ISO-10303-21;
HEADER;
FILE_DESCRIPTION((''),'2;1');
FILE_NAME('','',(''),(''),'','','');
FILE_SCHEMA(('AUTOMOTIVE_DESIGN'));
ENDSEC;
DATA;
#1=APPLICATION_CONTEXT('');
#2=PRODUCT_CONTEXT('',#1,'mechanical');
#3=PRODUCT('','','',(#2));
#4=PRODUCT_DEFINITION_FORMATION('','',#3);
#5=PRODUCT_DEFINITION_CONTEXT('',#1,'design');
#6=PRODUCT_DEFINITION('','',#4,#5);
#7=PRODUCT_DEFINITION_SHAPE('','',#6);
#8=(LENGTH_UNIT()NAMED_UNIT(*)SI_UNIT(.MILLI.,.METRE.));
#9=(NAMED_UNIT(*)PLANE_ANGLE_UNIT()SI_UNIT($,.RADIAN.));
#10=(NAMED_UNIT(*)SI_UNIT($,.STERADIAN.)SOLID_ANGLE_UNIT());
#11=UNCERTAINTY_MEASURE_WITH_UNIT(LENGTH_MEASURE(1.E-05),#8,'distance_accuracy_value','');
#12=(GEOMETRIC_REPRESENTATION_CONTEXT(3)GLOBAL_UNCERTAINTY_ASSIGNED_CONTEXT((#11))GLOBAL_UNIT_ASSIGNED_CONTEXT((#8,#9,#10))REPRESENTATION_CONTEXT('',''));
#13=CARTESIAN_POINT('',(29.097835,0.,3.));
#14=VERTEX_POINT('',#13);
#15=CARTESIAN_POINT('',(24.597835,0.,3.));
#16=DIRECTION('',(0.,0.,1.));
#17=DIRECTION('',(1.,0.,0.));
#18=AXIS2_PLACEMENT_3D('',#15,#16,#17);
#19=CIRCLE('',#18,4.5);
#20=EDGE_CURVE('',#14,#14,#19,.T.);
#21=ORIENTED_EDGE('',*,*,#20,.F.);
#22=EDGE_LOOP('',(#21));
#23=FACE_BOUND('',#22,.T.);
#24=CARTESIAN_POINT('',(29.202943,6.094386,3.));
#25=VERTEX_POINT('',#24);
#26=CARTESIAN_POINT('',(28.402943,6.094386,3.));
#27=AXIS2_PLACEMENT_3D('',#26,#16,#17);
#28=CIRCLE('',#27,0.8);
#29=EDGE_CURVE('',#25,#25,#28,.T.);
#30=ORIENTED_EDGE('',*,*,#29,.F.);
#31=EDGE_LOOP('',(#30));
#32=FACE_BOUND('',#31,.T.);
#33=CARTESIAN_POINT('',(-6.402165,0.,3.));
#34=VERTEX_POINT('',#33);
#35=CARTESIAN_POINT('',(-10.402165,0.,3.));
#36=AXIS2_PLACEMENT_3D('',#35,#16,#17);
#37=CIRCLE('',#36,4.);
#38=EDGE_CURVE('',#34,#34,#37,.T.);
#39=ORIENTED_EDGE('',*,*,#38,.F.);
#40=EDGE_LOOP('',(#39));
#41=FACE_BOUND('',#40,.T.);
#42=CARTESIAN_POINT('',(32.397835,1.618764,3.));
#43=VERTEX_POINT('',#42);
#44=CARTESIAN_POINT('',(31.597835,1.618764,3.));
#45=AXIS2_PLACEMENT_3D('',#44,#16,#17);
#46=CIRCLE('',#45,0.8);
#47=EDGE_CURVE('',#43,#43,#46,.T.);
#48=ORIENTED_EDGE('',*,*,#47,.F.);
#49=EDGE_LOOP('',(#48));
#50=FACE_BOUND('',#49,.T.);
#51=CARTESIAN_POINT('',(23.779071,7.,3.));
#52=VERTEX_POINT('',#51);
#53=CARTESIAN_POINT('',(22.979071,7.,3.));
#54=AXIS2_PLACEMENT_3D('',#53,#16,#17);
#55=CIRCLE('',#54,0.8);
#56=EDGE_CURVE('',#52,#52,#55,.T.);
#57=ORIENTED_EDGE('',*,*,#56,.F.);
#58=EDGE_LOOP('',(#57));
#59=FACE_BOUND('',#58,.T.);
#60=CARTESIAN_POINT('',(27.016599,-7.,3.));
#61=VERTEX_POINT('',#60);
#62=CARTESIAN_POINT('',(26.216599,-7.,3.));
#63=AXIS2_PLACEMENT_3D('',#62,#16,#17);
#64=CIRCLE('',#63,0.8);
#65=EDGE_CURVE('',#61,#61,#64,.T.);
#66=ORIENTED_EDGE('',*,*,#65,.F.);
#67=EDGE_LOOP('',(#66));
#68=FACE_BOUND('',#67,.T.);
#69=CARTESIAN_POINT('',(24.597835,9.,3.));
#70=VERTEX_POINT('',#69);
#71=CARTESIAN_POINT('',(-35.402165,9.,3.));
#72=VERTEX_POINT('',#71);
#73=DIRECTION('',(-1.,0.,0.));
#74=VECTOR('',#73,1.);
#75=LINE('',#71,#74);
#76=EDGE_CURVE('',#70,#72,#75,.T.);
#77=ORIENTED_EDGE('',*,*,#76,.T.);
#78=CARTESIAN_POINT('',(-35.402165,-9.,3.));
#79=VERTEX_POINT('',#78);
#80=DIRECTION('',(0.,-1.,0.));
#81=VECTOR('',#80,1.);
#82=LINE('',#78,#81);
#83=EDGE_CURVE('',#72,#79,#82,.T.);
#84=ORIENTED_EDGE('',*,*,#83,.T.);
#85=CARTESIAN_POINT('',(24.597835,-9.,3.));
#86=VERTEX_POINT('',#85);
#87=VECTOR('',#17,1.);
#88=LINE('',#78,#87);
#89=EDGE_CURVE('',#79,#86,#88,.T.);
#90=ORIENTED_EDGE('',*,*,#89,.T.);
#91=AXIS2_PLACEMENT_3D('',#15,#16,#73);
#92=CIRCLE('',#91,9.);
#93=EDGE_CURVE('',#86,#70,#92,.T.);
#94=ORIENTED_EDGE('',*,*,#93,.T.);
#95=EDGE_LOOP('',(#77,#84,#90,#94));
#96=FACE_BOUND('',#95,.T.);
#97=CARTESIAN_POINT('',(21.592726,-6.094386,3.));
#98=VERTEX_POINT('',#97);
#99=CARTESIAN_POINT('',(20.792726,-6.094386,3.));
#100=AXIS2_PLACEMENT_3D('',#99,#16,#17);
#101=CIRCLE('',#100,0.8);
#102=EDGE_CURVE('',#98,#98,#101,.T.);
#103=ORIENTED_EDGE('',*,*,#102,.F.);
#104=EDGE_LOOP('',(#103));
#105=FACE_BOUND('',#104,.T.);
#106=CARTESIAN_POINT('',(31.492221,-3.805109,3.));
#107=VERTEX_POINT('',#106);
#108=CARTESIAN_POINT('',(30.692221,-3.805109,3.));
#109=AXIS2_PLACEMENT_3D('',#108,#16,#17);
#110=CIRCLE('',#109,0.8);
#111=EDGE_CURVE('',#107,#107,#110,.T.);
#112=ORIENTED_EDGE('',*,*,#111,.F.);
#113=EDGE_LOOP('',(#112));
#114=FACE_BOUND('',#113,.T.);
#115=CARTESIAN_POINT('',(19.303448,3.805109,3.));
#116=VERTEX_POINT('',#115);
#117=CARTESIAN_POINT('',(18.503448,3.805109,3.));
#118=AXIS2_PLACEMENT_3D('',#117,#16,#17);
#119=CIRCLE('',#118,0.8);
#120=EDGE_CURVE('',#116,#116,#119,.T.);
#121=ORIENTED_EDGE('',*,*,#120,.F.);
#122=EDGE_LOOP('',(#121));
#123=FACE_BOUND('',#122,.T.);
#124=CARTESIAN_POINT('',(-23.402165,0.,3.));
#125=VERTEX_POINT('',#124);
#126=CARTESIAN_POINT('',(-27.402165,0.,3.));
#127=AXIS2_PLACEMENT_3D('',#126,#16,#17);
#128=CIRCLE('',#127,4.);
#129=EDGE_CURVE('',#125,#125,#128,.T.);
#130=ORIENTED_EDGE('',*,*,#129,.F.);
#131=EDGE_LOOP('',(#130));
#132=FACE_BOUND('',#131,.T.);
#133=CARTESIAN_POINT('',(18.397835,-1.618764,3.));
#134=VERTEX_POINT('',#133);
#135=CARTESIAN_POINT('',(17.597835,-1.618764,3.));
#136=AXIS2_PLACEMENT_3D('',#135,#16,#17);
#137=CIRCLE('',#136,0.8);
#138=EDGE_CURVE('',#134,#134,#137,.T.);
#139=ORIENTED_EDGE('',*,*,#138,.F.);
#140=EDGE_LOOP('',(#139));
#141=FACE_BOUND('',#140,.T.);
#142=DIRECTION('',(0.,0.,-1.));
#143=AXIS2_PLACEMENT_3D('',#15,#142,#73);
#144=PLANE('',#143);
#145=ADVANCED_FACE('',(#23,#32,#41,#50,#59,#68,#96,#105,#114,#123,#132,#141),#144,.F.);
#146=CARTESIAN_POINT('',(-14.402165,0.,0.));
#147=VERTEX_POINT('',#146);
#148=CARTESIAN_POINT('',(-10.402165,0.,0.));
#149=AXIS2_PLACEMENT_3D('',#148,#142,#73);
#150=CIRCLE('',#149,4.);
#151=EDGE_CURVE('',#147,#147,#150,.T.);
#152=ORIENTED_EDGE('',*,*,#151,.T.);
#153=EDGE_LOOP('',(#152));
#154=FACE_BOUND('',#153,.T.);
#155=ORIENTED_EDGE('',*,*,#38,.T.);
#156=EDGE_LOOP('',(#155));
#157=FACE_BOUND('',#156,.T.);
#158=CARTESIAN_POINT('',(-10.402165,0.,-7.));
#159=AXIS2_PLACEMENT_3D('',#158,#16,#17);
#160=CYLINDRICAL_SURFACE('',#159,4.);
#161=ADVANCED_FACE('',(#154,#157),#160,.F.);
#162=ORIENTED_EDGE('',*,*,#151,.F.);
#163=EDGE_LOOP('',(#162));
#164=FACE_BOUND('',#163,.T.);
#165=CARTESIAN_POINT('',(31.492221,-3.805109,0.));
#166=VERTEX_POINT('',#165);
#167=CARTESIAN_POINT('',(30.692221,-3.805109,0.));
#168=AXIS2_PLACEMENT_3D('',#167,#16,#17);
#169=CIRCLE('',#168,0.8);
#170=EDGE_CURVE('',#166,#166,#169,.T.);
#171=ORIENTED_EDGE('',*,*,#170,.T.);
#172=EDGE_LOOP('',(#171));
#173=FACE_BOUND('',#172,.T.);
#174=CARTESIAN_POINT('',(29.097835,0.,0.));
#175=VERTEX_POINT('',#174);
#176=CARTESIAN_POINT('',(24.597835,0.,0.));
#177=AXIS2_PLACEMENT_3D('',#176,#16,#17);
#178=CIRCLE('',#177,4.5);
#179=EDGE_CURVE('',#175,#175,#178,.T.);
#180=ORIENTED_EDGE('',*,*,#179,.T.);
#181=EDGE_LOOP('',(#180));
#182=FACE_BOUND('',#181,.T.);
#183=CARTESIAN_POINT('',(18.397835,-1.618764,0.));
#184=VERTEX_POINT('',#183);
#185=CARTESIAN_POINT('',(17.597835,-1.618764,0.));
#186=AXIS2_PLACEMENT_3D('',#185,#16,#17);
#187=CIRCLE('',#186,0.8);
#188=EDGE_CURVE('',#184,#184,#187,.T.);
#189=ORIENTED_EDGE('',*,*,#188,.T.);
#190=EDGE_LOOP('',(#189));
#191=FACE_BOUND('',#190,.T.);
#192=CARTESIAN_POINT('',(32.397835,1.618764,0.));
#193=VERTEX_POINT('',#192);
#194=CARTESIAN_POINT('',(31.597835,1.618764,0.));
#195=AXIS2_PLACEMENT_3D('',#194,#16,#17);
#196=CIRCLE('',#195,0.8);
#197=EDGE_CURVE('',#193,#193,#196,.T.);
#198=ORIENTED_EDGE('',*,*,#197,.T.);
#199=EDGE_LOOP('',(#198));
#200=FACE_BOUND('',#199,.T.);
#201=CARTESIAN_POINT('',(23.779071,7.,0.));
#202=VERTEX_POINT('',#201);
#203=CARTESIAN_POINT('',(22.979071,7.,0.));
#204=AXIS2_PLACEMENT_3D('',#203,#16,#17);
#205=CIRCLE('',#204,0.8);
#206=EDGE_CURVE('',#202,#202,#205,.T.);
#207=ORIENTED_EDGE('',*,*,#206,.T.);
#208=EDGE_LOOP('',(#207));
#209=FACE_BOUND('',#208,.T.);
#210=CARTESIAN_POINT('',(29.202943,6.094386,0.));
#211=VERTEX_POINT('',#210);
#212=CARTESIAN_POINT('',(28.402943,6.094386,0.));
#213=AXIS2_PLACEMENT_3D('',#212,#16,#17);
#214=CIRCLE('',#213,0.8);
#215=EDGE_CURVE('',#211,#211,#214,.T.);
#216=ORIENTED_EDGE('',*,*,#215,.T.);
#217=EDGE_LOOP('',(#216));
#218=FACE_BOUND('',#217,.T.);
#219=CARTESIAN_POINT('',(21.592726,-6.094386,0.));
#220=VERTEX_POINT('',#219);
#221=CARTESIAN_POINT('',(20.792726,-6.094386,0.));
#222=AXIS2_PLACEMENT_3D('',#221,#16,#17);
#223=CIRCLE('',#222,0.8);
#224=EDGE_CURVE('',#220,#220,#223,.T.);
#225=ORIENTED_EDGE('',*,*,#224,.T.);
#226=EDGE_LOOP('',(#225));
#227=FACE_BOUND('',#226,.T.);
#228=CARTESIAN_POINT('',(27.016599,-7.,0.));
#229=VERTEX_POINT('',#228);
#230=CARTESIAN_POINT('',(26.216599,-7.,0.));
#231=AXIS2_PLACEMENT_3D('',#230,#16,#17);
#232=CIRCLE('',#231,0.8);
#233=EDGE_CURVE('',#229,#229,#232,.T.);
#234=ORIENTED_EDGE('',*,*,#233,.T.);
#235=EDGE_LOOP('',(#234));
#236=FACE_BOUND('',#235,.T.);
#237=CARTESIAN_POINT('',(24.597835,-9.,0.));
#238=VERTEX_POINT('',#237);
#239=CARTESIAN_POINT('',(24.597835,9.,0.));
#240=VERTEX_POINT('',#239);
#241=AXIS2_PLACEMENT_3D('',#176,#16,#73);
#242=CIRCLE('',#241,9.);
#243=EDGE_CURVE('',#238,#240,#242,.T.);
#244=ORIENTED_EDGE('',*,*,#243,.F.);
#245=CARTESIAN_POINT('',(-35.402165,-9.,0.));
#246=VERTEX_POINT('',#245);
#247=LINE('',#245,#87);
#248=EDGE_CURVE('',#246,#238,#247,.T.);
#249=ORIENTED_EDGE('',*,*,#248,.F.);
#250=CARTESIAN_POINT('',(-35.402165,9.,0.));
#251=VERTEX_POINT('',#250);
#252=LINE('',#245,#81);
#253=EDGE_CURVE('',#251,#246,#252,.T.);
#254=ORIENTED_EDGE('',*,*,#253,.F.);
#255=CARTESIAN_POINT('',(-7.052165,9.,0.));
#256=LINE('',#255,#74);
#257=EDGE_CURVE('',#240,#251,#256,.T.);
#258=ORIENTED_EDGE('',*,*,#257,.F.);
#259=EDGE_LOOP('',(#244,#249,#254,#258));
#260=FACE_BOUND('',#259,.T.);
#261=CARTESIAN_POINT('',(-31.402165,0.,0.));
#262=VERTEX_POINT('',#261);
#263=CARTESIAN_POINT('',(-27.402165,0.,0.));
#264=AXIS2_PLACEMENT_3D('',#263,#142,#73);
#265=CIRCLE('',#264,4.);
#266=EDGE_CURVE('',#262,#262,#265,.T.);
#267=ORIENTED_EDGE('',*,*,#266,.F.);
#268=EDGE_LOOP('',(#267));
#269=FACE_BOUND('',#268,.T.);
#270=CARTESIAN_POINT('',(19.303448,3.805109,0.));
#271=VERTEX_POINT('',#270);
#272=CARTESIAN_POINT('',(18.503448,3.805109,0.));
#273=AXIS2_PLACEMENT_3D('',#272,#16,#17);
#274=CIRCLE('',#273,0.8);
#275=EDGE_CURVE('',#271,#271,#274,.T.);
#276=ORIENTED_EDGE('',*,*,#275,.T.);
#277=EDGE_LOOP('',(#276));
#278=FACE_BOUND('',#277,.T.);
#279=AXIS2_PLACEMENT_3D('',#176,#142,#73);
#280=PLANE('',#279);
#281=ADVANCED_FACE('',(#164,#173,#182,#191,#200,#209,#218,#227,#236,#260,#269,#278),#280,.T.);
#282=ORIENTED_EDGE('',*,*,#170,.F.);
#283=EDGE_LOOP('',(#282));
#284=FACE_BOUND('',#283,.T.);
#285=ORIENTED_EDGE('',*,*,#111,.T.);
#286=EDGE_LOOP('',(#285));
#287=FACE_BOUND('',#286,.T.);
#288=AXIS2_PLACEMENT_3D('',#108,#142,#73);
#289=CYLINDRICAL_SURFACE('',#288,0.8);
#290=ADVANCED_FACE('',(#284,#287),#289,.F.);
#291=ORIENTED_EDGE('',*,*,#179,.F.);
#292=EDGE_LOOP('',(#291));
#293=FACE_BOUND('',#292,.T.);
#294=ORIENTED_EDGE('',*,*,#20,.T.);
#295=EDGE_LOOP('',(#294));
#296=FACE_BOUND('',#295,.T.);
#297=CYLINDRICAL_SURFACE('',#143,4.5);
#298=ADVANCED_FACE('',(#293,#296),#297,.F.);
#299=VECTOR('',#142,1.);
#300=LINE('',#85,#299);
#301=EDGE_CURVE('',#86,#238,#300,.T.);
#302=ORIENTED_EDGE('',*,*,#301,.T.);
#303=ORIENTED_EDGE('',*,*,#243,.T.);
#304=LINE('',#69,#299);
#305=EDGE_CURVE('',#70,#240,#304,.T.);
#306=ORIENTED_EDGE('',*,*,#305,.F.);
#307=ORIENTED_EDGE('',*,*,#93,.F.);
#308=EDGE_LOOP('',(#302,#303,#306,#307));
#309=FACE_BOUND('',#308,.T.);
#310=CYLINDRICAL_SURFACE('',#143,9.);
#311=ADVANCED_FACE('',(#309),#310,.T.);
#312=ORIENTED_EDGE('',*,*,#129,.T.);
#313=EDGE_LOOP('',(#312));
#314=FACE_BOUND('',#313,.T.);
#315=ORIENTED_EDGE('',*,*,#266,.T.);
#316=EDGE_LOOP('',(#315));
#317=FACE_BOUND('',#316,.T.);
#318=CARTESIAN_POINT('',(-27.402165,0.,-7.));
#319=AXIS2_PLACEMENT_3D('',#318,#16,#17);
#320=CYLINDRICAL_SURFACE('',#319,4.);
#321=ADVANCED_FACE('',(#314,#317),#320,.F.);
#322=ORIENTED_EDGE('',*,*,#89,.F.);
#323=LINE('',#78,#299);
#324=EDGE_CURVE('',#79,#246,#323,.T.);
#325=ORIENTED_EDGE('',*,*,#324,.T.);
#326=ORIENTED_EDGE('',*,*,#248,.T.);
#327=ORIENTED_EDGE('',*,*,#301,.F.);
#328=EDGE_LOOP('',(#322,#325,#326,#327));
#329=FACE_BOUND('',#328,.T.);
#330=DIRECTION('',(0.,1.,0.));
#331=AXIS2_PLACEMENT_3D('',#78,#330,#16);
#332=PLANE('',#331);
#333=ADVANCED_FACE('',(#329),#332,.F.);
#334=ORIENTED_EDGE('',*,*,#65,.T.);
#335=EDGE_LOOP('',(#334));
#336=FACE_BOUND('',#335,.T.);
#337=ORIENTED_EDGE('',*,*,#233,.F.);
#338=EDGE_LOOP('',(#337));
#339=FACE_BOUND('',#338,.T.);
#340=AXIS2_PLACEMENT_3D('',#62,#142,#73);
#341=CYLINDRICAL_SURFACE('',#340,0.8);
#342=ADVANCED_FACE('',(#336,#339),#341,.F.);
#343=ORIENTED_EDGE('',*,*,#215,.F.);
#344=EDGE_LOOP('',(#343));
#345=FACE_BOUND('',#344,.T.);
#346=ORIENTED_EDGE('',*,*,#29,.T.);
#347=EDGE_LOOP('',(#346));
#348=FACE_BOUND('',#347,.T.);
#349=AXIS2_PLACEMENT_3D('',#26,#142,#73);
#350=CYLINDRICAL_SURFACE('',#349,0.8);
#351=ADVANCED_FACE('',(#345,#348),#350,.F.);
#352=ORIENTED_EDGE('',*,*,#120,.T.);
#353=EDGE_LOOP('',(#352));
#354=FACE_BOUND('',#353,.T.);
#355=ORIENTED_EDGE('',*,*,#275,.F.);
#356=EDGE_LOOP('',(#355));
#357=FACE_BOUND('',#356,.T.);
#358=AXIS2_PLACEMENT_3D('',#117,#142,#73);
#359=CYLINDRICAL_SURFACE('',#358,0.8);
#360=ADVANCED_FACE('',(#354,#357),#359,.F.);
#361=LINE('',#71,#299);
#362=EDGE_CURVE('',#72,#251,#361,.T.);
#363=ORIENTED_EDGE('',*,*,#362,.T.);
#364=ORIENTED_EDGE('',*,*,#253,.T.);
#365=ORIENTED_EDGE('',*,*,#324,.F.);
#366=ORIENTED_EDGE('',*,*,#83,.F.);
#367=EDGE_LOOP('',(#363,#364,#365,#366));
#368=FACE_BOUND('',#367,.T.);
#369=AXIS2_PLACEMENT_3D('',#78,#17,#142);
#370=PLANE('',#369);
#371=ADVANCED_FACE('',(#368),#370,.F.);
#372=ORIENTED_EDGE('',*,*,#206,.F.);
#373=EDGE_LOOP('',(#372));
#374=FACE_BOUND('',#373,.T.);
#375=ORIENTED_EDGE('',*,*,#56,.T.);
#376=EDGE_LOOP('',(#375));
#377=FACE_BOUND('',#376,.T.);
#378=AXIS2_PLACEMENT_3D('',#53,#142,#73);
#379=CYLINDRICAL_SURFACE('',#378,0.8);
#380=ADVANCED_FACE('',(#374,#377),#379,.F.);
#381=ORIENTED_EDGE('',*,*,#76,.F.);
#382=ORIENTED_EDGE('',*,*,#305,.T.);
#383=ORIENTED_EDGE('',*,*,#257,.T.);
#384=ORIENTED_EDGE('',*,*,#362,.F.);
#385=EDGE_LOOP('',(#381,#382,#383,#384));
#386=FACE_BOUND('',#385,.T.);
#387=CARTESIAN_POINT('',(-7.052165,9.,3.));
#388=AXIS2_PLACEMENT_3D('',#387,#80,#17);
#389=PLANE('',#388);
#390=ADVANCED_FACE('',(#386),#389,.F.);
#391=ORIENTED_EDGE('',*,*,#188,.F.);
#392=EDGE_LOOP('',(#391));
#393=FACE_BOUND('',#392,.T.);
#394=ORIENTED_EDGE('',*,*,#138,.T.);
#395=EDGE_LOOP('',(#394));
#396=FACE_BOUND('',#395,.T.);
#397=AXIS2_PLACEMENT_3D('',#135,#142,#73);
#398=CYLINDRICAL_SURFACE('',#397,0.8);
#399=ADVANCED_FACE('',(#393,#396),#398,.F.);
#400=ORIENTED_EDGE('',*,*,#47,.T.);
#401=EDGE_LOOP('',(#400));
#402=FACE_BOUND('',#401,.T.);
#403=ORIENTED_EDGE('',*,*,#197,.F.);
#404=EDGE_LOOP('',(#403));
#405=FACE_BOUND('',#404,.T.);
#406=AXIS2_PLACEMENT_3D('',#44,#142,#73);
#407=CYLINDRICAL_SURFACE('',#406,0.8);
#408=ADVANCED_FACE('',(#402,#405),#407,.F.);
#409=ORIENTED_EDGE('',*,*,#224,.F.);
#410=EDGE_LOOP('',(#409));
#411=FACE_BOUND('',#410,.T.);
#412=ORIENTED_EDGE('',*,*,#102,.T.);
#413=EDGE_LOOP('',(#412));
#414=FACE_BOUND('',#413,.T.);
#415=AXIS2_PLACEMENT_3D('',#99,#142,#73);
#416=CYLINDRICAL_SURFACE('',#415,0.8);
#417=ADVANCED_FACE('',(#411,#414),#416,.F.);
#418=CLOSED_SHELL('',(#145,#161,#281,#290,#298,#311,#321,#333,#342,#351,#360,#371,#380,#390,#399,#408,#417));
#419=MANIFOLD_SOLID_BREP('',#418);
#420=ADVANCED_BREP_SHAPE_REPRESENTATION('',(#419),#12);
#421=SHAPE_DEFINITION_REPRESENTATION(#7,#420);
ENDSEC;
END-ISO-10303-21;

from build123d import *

# Parameters (mm, degrees)
ESQUISSE1_R             = 4.5
ESQUISSE1_R_2           = 0.8
BOSS_EXTRU_1_DEPTH      = 3
ESQUISSE2_R             = 4
ENL_V_MAT_EXTRU_1_DEPTH = 10


with BuildPart() as part:
    # Esquisse1 → Boss.-Extru.1 (new body)
    with BuildSketch(Plane.XY):
        with BuildLine():
            Line((1.597834667, 9), (24.597834667, 9))
            ThreePointArc((24.597834667, 9), (33.597834667, 0), (24.597834667, -9))
            Line((24.597834667, -9), (-35.402165333, -9))
            Line((-35.402165333, -9), (-35.402165333, 9))
            Line((-35.402165333, 9), (-16.752165333, 9))
            Line((-16.752165333, 9), (-7.052165333, 9))
            Line((-7.052165333, 9), (1.597834667, 9))
        make_face()
        with Locations((24.597834667, 0)):
            Circle(ESQUISSE1_R, mode=Mode.SUBTRACT)
        with Locations((22.97907079, 7)):
            Circle(ESQUISSE1_R_2, mode=Mode.SUBTRACT)
        with Locations((28.402943221, 6.094386383)):
            Circle(ESQUISSE1_R_2, mode=Mode.SUBTRACT)
        with Locations((31.597834667, 1.618763877)):
            Circle(ESQUISSE1_R_2, mode=Mode.SUBTRACT)
        with Locations((30.69222105, -3.805108554)):
            Circle(ESQUISSE1_R_2, mode=Mode.SUBTRACT)
        with Locations((26.216598544, -7)):
            Circle(ESQUISSE1_R_2, mode=Mode.SUBTRACT)
        with Locations((20.792726113, -6.094386383)):
            Circle(ESQUISSE1_R_2, mode=Mode.SUBTRACT)
        with Locations((17.597834667, -1.618763877)):
            Circle(ESQUISSE1_R_2, mode=Mode.SUBTRACT)
        with Locations((18.503448284, 3.805108554)):
            Circle(ESQUISSE1_R_2, mode=Mode.SUBTRACT)
    extrude(amount=BOSS_EXTRU_1_DEPTH)

    # Esquisse2 → Enlèv. mat.-Extru.1 (cut)
    with BuildSketch(Plane.XY.offset(3)):
        with Locations((-27.402165333, 0)):
            Circle(ESQUISSE2_R)
        with Locations((-10.402165333, 0)):
            Circle(ESQUISSE2_R)
    extrude(amount=-ENL_V_MAT_EXTRU_1_DEPTH, mode=Mode.SUBTRACT)


solid = part.part
